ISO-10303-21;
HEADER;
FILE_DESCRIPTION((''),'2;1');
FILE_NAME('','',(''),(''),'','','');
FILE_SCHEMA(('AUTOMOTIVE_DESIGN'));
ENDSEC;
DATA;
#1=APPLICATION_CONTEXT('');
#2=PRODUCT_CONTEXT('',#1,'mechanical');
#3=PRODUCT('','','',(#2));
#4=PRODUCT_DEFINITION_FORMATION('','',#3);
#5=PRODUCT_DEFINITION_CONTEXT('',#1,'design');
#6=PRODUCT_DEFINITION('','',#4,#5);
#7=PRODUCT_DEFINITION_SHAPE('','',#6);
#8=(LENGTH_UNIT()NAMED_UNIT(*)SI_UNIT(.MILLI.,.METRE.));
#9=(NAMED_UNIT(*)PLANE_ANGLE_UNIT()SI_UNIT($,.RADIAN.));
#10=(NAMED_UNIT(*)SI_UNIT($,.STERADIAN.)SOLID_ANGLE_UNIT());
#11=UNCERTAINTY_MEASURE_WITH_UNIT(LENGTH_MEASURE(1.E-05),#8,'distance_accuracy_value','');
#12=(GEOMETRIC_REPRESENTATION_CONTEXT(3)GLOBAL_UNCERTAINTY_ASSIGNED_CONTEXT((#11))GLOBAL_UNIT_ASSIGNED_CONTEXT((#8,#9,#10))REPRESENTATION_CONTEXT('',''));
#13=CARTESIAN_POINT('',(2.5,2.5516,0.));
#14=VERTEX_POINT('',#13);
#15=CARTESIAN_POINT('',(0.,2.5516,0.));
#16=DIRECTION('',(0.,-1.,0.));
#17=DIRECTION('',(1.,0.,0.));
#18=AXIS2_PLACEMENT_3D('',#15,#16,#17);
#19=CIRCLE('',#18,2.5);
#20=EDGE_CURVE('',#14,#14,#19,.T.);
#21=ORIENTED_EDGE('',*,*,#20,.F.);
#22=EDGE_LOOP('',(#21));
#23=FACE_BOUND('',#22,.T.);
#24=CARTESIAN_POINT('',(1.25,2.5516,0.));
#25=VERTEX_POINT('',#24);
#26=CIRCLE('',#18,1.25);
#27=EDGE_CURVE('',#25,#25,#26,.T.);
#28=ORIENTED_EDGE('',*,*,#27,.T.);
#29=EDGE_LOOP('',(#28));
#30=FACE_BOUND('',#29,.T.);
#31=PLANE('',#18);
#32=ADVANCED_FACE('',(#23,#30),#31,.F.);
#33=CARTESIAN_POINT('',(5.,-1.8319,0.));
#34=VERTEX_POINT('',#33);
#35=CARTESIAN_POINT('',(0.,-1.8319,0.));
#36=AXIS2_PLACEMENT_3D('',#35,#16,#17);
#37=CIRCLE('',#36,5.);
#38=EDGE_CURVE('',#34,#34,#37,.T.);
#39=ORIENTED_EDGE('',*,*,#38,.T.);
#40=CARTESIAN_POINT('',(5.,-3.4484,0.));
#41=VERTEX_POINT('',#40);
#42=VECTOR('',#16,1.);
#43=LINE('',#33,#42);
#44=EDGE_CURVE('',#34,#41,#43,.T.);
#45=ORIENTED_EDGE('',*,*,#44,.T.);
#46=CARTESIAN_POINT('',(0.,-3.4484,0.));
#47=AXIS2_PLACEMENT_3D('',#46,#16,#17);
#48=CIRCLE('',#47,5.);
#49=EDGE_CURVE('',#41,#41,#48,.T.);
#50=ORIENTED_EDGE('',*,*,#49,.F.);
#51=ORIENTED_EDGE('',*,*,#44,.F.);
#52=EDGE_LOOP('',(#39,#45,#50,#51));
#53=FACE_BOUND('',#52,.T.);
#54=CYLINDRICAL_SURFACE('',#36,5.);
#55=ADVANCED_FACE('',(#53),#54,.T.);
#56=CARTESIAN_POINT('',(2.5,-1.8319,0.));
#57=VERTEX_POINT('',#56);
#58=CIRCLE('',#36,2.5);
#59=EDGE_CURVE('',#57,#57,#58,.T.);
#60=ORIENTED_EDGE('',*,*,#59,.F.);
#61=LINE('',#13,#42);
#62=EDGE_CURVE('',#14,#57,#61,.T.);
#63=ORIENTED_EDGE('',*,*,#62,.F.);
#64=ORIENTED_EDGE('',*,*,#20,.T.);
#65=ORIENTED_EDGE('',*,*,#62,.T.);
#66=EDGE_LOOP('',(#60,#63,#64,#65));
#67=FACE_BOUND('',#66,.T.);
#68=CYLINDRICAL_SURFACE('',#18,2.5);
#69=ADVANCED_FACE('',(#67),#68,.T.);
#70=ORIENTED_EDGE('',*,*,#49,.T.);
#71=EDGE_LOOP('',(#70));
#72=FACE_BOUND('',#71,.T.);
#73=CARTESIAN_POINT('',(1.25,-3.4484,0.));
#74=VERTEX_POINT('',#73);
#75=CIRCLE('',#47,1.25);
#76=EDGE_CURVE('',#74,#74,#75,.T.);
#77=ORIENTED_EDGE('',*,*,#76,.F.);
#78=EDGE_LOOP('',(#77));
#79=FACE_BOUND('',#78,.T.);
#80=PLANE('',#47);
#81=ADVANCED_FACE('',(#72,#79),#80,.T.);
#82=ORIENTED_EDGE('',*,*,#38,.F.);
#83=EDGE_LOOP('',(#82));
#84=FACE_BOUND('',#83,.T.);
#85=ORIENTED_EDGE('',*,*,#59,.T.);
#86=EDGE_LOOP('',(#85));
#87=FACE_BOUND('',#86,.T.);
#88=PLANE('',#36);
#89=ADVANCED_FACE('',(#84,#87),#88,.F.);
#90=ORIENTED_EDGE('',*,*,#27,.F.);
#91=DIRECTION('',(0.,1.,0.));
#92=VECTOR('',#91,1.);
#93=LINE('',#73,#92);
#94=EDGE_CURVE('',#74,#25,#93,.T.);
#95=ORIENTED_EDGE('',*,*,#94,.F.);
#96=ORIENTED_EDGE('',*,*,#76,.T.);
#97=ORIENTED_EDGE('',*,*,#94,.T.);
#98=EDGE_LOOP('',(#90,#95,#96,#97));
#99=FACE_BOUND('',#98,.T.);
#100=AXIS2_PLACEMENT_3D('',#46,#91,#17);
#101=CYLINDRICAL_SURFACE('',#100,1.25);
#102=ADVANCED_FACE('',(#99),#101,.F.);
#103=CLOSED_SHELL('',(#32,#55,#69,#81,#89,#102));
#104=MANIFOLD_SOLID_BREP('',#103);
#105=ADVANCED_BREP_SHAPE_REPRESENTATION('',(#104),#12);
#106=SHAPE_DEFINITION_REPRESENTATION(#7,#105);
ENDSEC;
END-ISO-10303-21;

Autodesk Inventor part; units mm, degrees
ref_plane "YZ Plane" through (0, 0, 0) normal (1, 0, 0) x (0, 1, 0)
ref_plane "XZ Plane" through (0, 0, 0) normal (0, 1, 0) x (-1, 0, 0)
ref_plane "XY Plane" through (0, 0, 0) normal (0, 0, 1) x (1, 0, 0)
sketch "Sketch1" plane through (0, 0, 0) normal (0, 0, 1) x (1, 0, 0)
  line L0 (0, 2.6898) -> (0, -4.5766) construction
  line L1 (1.25, -3.4484) -> (1.25, 2.5516)
  line L2 (1.25, 2.5516) -> (2.5, 2.5516)
  line L3 (2.5, 2.5516) -> (2.5, -1.8319)
  line L4 (2.5, -1.8319) -> (5, -1.8319)
  line L5 (5, -1.8319) -> (5, -3.4484)
  line L6 (5, -3.4484) -> (1.25, -3.4484)
  point P0 (0, 0)
  dimension "d0" = 1.25
  dimension "d1" = 6
  dimension "d2" = 5
  dimension "d3" = 1.25
revolve "Revolution1" add sketch "Sketch1" angle 360 about axis through (0, 2.6898, 0) along (0, -1, 0)
properties part number "lower pin"
